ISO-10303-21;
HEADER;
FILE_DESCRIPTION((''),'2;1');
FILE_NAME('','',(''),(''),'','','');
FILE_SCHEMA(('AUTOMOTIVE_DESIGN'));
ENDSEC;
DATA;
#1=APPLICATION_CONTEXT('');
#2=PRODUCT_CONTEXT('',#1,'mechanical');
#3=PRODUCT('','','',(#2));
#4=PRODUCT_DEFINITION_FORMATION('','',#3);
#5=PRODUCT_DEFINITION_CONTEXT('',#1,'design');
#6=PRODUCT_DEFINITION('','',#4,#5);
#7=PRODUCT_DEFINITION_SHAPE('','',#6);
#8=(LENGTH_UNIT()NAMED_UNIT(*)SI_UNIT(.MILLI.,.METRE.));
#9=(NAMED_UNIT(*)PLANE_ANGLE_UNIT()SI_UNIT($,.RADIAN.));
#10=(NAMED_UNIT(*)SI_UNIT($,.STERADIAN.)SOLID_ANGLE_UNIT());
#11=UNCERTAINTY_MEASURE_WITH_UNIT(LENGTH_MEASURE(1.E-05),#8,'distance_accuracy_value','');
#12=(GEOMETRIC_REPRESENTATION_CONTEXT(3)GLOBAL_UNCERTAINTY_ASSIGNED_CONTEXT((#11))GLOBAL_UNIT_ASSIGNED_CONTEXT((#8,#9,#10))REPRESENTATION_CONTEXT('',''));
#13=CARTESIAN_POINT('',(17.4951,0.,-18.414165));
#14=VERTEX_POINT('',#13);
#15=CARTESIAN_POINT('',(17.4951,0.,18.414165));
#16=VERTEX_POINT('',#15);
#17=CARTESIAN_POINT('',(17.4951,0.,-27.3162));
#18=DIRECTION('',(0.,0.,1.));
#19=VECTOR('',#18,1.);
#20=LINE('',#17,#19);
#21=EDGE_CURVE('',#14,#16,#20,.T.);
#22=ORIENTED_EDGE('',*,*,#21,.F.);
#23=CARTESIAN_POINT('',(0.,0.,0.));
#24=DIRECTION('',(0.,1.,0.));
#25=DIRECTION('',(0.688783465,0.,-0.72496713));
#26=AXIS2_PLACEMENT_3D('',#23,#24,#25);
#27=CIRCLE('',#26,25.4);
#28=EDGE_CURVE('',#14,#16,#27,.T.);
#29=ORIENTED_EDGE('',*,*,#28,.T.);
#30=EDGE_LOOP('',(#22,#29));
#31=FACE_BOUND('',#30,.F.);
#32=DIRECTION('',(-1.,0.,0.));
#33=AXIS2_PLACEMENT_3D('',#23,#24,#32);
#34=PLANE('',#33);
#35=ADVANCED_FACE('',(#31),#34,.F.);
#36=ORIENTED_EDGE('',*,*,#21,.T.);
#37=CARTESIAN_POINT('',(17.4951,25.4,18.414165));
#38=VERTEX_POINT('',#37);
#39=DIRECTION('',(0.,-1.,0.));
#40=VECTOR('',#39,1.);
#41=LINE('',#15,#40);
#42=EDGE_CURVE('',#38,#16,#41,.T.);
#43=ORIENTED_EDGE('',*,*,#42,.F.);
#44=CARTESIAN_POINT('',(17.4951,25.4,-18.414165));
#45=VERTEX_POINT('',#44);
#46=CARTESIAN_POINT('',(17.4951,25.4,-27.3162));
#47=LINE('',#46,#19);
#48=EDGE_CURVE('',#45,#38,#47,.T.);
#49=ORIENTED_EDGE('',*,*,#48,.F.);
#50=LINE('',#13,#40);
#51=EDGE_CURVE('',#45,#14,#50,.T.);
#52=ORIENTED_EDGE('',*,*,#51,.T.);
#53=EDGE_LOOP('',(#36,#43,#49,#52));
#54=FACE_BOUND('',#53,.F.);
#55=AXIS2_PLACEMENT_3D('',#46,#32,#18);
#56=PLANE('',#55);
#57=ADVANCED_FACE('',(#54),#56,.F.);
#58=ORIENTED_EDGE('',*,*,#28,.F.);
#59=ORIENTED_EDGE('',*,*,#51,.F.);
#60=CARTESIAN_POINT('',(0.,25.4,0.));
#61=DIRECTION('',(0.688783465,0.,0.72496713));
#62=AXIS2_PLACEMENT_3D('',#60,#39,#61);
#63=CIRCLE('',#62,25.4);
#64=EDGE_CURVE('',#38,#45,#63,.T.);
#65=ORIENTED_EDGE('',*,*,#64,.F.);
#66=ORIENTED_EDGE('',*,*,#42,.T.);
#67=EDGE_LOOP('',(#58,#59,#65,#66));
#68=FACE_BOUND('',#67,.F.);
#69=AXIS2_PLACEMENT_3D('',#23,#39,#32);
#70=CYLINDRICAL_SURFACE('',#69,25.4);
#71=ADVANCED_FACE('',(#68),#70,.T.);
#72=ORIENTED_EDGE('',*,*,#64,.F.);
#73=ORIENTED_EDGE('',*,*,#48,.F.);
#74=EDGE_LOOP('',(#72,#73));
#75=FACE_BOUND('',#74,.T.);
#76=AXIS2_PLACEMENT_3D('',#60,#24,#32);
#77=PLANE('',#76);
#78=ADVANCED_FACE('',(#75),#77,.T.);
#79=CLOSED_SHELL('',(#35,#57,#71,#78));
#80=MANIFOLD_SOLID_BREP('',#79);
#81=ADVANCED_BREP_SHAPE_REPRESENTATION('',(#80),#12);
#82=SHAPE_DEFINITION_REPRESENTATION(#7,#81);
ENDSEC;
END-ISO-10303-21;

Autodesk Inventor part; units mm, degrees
ref_plane "YZ Plane" through (0, 0, 0) normal (1, 0, 0) x (0, 1, 0)
ref_plane "XZ Plane" through (0, 0, 0) normal (0, 1, 0) x (-1, 0, 0)
ref_plane "XY Plane" through (0, 0, 0) normal (0, 0, 1) x (1, 0, 0)
sketch "Sketch1" plane through (0, 0, 0) normal (0, 1, 0) x (-1, 0, 0)
  circle A0 centre (0, 0) radius 25.4
  dimension "d0" = 50.8
extrude "Extrusion1" add sketch "Sketch1" along normal blind 25.4
sketch "Sketch2" plane through (0, 25.4, 0) normal (0, 1, 0) x (1, 0, 0)
  line L0 (17.4951, -22.4742) -> (30.1026, -22.4742)
  line L1 (30.1026, -22.4742) -> (30.1026, 27.3162)
  line L2 (30.1026, 27.3162) -> (17.4951, 27.3162)
  line L3 (17.4951, 27.3162) -> (17.4951, -22.4742)
  point P0 (0, 0)
extrude "Extrusion2" cut sketch "Sketch2" against normal blind 25.4
properties part number "lol kill me"
